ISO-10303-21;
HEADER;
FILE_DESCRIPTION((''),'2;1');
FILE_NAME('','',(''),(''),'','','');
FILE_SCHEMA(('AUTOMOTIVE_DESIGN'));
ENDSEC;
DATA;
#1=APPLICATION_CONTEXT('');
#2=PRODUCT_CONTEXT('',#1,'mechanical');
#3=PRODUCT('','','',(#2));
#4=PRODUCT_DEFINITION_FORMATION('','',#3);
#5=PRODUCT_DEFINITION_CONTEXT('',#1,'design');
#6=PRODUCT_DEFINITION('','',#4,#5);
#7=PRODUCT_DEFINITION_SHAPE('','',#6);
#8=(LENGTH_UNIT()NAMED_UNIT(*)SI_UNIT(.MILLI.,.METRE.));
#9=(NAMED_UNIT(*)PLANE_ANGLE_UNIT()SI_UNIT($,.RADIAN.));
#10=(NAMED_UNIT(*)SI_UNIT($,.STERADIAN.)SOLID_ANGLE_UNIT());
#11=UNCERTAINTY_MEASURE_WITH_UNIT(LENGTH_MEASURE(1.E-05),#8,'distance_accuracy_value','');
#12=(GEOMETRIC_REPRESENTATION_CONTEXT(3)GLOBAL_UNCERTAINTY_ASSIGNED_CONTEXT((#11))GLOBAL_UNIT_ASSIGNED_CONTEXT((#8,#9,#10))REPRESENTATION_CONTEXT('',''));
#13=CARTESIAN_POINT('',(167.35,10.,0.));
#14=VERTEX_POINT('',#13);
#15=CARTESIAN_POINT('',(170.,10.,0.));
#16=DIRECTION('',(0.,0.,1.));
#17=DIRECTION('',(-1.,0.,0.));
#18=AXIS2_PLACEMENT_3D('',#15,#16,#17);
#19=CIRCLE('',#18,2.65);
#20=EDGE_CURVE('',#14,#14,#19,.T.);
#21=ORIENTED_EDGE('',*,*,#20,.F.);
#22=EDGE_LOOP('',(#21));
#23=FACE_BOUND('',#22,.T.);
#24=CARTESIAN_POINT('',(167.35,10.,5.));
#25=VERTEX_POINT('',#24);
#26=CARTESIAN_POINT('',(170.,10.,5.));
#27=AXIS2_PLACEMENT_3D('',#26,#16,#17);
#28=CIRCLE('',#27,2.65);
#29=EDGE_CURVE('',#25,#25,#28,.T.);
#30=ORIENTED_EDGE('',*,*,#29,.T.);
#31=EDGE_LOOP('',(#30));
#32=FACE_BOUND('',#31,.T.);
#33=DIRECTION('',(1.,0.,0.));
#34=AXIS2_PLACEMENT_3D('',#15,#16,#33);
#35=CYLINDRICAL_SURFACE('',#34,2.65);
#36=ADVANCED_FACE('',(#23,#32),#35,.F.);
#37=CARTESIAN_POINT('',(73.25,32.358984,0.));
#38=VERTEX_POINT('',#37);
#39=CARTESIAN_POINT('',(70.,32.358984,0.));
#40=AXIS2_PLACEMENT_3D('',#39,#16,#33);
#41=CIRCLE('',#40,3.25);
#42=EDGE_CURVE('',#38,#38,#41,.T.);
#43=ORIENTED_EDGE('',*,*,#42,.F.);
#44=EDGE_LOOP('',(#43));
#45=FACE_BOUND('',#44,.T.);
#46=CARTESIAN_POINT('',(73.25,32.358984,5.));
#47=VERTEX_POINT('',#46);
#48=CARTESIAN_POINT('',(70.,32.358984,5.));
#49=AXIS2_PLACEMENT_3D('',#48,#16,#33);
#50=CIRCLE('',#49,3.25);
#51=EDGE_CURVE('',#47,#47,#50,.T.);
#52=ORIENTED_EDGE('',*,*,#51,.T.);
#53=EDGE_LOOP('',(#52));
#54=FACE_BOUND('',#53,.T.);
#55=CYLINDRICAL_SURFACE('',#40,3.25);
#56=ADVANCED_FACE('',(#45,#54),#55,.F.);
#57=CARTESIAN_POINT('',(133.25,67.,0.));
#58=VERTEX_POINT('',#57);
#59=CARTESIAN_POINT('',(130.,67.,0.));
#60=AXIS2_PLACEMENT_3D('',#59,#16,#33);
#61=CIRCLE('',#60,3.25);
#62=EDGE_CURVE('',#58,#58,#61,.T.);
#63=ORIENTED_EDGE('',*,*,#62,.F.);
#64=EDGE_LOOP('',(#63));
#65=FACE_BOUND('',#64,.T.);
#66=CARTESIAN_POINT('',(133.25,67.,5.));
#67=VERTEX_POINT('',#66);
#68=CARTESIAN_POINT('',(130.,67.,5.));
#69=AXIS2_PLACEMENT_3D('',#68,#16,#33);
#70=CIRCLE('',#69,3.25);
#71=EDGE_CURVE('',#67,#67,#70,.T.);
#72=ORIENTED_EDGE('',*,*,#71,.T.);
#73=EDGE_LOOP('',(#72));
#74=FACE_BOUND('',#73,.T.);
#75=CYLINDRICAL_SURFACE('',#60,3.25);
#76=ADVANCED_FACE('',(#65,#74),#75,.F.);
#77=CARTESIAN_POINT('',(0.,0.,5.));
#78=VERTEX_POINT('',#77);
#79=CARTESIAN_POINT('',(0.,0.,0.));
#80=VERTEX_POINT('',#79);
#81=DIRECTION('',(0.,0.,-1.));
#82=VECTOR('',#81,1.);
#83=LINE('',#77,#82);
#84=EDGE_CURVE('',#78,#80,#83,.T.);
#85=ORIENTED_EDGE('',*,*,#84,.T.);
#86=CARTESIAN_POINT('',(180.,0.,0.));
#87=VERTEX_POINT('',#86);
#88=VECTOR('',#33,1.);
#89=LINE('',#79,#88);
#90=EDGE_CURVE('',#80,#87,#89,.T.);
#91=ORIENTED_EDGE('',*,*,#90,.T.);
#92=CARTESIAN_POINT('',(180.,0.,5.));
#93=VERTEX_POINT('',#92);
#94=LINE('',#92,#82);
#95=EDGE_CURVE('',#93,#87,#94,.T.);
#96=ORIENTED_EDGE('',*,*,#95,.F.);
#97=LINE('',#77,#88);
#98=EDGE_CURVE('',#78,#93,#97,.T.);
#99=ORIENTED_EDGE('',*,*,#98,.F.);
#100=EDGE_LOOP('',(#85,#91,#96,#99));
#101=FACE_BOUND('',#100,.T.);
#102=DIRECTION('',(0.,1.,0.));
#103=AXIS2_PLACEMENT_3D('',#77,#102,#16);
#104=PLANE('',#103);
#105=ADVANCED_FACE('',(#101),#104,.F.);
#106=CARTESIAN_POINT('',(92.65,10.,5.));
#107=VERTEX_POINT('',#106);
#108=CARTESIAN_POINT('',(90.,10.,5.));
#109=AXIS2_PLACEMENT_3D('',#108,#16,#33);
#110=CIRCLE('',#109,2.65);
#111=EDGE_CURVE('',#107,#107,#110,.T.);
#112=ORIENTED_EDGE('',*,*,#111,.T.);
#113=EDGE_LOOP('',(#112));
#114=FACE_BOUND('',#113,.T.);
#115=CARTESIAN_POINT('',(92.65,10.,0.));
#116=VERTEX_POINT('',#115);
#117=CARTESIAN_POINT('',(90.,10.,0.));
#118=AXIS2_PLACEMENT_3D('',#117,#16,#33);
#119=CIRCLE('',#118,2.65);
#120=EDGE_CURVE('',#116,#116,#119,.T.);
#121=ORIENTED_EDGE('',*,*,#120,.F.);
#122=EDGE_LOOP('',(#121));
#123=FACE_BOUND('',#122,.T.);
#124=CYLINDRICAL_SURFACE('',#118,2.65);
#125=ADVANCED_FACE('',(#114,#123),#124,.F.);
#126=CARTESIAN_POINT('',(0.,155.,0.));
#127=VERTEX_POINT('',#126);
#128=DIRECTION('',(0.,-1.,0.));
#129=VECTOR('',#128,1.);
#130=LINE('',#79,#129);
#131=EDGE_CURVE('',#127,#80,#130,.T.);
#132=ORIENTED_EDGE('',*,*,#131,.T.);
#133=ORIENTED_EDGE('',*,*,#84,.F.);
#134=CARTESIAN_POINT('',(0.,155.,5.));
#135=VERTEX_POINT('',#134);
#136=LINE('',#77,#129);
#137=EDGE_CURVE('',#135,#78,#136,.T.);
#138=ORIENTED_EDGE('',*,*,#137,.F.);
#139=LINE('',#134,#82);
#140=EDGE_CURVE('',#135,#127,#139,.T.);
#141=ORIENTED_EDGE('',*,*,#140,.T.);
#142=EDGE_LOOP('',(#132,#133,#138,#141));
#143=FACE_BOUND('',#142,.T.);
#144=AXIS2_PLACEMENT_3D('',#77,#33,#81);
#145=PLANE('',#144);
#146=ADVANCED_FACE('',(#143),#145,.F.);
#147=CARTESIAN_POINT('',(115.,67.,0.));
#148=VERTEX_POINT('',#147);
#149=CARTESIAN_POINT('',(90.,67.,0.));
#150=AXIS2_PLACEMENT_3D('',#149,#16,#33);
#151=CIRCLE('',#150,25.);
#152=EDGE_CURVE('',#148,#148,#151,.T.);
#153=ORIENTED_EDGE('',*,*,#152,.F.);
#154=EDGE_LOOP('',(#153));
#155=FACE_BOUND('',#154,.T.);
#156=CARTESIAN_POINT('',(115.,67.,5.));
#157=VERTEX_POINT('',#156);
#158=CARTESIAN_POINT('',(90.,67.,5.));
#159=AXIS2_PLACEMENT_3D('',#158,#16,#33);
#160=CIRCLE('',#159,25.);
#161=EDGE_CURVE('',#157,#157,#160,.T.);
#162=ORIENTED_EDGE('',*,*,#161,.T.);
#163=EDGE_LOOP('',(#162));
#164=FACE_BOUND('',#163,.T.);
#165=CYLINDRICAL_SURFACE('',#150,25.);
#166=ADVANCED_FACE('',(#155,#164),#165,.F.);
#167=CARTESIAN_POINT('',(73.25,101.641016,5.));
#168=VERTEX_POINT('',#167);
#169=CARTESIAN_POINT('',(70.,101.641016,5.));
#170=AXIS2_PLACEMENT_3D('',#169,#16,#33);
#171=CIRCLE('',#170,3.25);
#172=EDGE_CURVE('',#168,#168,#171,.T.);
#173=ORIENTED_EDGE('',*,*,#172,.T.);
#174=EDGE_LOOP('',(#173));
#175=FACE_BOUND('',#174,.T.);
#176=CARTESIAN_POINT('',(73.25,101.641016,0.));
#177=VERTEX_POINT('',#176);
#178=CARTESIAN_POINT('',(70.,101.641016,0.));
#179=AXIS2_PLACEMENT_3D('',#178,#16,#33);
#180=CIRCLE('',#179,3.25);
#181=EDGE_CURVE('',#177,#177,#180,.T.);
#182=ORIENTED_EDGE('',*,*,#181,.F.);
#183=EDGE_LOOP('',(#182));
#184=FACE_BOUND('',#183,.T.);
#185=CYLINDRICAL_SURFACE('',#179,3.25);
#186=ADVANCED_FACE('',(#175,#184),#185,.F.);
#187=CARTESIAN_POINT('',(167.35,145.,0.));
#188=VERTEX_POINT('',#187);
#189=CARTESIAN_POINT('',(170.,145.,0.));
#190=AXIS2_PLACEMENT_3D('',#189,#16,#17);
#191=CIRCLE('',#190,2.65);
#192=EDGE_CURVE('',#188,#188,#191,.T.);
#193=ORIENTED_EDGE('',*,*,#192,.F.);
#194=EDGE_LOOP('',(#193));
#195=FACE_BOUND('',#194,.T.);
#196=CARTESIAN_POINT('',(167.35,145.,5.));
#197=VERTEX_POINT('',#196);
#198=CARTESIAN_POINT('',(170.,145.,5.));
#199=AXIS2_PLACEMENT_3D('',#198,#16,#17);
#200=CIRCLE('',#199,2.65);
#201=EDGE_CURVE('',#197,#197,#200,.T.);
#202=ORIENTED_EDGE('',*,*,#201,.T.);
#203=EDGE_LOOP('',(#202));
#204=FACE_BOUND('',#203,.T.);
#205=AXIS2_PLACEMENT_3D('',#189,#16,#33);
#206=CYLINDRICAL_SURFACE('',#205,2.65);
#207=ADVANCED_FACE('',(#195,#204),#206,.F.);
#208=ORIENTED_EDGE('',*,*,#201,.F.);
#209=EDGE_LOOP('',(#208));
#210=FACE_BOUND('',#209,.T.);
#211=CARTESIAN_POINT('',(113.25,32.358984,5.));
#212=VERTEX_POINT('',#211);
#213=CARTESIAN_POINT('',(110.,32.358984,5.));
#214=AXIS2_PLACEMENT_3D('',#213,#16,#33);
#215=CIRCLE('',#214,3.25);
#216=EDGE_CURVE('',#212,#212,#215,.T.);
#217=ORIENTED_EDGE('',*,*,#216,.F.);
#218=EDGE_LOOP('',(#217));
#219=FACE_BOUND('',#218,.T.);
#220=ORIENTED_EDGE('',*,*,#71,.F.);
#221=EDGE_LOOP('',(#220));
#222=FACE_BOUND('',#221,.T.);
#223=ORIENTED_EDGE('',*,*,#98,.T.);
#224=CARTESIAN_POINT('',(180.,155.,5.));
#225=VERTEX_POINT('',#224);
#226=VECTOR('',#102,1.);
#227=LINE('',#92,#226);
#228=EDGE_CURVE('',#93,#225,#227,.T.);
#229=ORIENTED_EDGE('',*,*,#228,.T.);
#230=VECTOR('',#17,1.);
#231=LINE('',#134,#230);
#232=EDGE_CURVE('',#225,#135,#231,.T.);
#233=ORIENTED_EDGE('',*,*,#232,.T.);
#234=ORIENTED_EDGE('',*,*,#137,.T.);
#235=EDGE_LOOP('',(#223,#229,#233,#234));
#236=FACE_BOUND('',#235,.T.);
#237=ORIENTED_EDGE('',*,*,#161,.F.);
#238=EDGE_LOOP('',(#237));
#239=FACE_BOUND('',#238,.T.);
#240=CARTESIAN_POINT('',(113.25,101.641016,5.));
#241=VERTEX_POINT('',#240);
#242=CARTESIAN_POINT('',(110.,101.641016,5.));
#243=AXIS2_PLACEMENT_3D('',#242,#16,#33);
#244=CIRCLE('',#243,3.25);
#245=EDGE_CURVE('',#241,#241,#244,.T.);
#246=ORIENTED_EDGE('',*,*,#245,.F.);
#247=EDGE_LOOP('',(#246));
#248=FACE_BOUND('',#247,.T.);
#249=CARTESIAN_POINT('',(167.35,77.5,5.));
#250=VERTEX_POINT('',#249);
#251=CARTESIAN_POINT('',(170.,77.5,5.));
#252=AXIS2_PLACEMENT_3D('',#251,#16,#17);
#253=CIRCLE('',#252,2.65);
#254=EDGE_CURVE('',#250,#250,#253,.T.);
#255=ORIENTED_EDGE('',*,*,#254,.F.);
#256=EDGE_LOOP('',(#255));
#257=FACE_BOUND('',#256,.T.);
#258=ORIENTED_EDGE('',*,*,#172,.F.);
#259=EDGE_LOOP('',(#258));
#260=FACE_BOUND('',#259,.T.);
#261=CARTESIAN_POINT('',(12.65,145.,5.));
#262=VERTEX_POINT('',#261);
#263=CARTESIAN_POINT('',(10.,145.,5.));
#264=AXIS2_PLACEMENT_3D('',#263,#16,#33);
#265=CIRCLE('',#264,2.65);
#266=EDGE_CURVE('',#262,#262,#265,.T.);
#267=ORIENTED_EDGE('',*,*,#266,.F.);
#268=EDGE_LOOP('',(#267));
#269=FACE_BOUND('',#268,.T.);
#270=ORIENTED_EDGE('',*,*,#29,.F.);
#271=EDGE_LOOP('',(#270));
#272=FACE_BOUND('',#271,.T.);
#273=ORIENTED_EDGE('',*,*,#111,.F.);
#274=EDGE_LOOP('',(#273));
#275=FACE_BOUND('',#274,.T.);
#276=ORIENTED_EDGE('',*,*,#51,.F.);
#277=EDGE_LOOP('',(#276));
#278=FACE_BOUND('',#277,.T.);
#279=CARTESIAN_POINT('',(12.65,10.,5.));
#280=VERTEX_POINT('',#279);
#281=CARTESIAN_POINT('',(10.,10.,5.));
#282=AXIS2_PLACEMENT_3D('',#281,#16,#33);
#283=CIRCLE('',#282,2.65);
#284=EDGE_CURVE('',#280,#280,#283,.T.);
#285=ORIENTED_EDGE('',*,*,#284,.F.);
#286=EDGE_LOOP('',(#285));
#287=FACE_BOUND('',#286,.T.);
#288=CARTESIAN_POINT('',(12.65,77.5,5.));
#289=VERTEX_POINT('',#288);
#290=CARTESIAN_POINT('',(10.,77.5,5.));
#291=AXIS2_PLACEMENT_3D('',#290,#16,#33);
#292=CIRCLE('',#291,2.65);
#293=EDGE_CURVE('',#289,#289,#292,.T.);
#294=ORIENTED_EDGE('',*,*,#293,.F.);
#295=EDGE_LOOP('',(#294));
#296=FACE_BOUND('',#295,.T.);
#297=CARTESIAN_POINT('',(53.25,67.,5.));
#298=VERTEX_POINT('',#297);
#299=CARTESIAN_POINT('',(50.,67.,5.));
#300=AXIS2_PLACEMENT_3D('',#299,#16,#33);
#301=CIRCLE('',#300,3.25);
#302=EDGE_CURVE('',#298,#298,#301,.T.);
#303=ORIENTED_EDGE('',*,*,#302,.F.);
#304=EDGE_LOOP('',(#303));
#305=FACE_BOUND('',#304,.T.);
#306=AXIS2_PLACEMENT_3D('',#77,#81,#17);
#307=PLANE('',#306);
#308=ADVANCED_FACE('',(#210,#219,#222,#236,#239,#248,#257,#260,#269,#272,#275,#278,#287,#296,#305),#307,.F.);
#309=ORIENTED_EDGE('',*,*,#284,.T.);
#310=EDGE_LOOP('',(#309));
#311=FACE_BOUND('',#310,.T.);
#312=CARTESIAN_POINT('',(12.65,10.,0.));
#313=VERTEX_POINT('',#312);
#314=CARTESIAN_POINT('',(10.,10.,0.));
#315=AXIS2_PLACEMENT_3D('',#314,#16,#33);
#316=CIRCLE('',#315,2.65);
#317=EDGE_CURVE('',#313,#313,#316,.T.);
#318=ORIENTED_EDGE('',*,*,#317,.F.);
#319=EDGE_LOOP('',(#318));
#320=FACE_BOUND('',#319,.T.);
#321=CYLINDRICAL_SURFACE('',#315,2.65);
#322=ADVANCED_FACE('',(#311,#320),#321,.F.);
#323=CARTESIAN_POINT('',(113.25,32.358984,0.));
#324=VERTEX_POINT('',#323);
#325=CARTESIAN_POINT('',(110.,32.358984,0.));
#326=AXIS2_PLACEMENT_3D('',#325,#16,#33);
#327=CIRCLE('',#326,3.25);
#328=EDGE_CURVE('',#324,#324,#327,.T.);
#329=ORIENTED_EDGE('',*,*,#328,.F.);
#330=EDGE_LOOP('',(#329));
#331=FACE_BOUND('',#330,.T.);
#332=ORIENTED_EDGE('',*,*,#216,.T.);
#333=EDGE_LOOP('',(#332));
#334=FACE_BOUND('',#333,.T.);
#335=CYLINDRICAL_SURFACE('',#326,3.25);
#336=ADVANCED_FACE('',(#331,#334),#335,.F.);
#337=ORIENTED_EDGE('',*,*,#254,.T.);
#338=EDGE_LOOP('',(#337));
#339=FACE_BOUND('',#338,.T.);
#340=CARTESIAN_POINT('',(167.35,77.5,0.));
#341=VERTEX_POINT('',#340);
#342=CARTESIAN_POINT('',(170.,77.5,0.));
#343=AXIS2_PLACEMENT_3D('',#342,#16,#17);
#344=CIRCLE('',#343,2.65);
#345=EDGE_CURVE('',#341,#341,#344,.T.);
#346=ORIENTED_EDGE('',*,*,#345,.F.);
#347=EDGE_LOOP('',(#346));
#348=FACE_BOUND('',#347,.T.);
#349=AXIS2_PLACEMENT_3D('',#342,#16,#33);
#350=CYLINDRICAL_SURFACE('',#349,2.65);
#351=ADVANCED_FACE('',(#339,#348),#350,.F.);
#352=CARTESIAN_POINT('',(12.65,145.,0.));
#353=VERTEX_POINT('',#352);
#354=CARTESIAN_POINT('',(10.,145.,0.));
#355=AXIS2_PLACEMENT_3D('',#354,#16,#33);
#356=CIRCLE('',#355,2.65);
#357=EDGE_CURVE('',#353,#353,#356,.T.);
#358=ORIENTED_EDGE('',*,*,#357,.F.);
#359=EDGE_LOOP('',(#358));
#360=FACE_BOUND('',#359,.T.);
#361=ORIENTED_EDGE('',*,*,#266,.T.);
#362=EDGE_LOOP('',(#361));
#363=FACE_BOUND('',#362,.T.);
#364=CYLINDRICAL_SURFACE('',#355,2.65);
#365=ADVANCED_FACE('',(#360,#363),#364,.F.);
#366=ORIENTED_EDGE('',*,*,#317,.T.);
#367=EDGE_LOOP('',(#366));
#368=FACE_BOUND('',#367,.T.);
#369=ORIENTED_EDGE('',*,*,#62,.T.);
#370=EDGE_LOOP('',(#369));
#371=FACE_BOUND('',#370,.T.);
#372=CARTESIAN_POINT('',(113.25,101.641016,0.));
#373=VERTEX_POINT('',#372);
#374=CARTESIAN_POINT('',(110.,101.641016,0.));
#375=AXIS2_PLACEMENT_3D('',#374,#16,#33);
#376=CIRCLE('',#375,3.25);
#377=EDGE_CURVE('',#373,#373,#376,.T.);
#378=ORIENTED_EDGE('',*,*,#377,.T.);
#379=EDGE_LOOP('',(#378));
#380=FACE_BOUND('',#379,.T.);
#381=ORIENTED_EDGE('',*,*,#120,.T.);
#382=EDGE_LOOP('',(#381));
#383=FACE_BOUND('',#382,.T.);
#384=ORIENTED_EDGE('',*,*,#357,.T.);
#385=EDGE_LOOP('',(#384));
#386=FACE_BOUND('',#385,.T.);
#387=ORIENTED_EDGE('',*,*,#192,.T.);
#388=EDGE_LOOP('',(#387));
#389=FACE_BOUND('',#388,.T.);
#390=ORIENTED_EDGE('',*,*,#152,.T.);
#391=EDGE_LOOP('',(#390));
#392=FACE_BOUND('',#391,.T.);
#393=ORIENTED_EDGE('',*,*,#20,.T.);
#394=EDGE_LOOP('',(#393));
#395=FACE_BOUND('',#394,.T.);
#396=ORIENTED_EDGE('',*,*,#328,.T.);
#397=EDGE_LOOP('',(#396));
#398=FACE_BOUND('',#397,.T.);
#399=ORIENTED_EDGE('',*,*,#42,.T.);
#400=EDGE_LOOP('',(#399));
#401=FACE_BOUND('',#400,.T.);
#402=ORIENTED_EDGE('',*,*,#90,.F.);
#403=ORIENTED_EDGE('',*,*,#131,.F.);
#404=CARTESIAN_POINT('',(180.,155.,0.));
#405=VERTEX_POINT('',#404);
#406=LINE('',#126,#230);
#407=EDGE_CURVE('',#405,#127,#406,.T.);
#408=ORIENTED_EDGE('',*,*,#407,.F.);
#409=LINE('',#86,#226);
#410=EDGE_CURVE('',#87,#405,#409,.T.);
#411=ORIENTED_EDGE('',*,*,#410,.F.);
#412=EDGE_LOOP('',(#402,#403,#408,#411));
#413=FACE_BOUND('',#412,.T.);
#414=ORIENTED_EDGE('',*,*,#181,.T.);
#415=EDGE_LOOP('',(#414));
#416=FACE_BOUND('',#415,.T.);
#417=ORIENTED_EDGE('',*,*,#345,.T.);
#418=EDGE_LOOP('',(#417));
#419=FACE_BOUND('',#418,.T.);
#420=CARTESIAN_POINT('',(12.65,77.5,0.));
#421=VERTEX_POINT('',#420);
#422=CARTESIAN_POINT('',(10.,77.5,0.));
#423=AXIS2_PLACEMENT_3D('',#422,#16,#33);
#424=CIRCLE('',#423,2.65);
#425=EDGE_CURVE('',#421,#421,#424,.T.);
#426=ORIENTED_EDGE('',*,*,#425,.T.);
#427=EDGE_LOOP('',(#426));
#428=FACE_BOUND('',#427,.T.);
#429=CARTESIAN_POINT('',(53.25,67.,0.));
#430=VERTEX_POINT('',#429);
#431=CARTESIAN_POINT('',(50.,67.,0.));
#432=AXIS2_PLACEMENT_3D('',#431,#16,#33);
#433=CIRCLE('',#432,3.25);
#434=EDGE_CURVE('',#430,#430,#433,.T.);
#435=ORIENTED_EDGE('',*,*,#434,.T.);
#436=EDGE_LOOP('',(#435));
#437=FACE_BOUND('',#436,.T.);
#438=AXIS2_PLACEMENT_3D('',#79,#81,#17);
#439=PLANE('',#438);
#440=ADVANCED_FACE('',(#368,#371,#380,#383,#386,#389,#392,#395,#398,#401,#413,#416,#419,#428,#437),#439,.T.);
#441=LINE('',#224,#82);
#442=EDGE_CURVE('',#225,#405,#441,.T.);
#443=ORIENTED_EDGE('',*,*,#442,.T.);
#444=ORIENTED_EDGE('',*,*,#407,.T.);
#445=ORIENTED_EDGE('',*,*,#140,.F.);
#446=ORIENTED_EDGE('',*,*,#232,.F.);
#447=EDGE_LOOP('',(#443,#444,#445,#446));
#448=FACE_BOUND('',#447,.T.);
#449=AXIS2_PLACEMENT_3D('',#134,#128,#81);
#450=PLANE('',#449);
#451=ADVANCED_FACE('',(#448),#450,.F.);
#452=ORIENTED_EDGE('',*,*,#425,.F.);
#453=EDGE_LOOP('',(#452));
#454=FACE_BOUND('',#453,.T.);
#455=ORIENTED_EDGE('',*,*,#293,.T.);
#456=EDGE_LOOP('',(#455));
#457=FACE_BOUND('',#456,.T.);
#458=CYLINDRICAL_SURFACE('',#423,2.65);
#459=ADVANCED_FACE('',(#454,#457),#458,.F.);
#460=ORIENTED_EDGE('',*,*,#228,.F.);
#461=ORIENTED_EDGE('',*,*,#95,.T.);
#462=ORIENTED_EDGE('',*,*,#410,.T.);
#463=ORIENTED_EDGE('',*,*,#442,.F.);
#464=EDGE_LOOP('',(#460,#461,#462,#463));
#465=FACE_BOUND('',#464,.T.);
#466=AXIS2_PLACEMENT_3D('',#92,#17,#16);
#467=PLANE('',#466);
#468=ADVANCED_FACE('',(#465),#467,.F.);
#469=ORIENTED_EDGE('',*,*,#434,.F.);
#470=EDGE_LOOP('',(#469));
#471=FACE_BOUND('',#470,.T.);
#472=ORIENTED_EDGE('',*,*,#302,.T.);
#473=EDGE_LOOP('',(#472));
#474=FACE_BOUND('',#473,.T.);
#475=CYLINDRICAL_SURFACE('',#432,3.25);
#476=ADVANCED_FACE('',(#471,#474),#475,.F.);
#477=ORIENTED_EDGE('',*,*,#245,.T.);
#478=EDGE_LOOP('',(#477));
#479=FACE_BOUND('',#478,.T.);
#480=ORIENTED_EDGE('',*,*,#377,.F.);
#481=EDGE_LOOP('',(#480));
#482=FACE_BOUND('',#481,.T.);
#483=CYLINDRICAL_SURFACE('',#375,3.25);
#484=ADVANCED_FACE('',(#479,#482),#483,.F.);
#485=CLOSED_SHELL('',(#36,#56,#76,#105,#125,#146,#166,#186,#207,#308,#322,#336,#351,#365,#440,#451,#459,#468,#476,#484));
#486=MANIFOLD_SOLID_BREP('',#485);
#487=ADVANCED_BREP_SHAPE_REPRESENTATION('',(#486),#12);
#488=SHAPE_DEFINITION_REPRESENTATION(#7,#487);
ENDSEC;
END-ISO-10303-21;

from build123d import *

# Parameters (mm, degrees)
SKETCH1_W           = 180
SKETCH1_H           = 155
BOSS_EXTRUDE1_DEPTH = 5
SKETCH2_R           = 25
CUT_EXTRUDE1_DEPTH  = 6
SKETCH3_R           = 3.25
SKETCH3_R_2         = 2.65
CUT_EXTRUDE2_DEPTH  = 6


with BuildPart() as part:
    # Sketch1 → Boss-Extrude1 (new body)
    with BuildSketch(Plane.XY):
        with Locations((90, 77.5)):
            Rectangle(SKETCH1_W, SKETCH1_H)
    extrude(amount=BOSS_EXTRUDE1_DEPTH)

    # Sketch2 → Cut-Extrude1 (cut, through all)
    with BuildSketch(Plane.XY.offset(5)):
        with Locations((90, 67)):
            Circle(SKETCH2_R)
    extrude(amount=-CUT_EXTRUDE1_DEPTH, mode=Mode.SUBTRACT)

    # Sketch3 → Cut-Extrude2 (cut, through all)
    with BuildSketch(Plane.XY.offset(5)):
        with Locations((110, 101.641016151)):
            Circle(SKETCH3_R)
        with Locations((130, 67)):
            Circle(SKETCH3_R)
        with Locations((110, 32.358983849)):
            Circle(SKETCH3_R)
        with Locations((70, 32.358983849)):
            Circle(SKETCH3_R)
        with Locations((50, 67)):
            Circle(SKETCH3_R)
        with Locations((70, 101.641016151)):
            Circle(SKETCH3_R)
        with Locations((10, 145)):
            Circle(SKETCH3_R_2)
        with Locations((10, 77.5)):
            Circle(SKETCH3_R_2)
        with Locations((10, 10)):
            Circle(SKETCH3_R_2)
        with Locations((170, 10)):
            Circle(SKETCH3_R_2)
        with Locations((170, 77.5)):
            Circle(SKETCH3_R_2)
        with Locations((170, 145)):
            Circle(SKETCH3_R_2)
        with Locations((90, 10)):
            Circle(SKETCH3_R_2)
    extrude(amount=-CUT_EXTRUDE2_DEPTH, mode=Mode.SUBTRACT)


solid = part.part
